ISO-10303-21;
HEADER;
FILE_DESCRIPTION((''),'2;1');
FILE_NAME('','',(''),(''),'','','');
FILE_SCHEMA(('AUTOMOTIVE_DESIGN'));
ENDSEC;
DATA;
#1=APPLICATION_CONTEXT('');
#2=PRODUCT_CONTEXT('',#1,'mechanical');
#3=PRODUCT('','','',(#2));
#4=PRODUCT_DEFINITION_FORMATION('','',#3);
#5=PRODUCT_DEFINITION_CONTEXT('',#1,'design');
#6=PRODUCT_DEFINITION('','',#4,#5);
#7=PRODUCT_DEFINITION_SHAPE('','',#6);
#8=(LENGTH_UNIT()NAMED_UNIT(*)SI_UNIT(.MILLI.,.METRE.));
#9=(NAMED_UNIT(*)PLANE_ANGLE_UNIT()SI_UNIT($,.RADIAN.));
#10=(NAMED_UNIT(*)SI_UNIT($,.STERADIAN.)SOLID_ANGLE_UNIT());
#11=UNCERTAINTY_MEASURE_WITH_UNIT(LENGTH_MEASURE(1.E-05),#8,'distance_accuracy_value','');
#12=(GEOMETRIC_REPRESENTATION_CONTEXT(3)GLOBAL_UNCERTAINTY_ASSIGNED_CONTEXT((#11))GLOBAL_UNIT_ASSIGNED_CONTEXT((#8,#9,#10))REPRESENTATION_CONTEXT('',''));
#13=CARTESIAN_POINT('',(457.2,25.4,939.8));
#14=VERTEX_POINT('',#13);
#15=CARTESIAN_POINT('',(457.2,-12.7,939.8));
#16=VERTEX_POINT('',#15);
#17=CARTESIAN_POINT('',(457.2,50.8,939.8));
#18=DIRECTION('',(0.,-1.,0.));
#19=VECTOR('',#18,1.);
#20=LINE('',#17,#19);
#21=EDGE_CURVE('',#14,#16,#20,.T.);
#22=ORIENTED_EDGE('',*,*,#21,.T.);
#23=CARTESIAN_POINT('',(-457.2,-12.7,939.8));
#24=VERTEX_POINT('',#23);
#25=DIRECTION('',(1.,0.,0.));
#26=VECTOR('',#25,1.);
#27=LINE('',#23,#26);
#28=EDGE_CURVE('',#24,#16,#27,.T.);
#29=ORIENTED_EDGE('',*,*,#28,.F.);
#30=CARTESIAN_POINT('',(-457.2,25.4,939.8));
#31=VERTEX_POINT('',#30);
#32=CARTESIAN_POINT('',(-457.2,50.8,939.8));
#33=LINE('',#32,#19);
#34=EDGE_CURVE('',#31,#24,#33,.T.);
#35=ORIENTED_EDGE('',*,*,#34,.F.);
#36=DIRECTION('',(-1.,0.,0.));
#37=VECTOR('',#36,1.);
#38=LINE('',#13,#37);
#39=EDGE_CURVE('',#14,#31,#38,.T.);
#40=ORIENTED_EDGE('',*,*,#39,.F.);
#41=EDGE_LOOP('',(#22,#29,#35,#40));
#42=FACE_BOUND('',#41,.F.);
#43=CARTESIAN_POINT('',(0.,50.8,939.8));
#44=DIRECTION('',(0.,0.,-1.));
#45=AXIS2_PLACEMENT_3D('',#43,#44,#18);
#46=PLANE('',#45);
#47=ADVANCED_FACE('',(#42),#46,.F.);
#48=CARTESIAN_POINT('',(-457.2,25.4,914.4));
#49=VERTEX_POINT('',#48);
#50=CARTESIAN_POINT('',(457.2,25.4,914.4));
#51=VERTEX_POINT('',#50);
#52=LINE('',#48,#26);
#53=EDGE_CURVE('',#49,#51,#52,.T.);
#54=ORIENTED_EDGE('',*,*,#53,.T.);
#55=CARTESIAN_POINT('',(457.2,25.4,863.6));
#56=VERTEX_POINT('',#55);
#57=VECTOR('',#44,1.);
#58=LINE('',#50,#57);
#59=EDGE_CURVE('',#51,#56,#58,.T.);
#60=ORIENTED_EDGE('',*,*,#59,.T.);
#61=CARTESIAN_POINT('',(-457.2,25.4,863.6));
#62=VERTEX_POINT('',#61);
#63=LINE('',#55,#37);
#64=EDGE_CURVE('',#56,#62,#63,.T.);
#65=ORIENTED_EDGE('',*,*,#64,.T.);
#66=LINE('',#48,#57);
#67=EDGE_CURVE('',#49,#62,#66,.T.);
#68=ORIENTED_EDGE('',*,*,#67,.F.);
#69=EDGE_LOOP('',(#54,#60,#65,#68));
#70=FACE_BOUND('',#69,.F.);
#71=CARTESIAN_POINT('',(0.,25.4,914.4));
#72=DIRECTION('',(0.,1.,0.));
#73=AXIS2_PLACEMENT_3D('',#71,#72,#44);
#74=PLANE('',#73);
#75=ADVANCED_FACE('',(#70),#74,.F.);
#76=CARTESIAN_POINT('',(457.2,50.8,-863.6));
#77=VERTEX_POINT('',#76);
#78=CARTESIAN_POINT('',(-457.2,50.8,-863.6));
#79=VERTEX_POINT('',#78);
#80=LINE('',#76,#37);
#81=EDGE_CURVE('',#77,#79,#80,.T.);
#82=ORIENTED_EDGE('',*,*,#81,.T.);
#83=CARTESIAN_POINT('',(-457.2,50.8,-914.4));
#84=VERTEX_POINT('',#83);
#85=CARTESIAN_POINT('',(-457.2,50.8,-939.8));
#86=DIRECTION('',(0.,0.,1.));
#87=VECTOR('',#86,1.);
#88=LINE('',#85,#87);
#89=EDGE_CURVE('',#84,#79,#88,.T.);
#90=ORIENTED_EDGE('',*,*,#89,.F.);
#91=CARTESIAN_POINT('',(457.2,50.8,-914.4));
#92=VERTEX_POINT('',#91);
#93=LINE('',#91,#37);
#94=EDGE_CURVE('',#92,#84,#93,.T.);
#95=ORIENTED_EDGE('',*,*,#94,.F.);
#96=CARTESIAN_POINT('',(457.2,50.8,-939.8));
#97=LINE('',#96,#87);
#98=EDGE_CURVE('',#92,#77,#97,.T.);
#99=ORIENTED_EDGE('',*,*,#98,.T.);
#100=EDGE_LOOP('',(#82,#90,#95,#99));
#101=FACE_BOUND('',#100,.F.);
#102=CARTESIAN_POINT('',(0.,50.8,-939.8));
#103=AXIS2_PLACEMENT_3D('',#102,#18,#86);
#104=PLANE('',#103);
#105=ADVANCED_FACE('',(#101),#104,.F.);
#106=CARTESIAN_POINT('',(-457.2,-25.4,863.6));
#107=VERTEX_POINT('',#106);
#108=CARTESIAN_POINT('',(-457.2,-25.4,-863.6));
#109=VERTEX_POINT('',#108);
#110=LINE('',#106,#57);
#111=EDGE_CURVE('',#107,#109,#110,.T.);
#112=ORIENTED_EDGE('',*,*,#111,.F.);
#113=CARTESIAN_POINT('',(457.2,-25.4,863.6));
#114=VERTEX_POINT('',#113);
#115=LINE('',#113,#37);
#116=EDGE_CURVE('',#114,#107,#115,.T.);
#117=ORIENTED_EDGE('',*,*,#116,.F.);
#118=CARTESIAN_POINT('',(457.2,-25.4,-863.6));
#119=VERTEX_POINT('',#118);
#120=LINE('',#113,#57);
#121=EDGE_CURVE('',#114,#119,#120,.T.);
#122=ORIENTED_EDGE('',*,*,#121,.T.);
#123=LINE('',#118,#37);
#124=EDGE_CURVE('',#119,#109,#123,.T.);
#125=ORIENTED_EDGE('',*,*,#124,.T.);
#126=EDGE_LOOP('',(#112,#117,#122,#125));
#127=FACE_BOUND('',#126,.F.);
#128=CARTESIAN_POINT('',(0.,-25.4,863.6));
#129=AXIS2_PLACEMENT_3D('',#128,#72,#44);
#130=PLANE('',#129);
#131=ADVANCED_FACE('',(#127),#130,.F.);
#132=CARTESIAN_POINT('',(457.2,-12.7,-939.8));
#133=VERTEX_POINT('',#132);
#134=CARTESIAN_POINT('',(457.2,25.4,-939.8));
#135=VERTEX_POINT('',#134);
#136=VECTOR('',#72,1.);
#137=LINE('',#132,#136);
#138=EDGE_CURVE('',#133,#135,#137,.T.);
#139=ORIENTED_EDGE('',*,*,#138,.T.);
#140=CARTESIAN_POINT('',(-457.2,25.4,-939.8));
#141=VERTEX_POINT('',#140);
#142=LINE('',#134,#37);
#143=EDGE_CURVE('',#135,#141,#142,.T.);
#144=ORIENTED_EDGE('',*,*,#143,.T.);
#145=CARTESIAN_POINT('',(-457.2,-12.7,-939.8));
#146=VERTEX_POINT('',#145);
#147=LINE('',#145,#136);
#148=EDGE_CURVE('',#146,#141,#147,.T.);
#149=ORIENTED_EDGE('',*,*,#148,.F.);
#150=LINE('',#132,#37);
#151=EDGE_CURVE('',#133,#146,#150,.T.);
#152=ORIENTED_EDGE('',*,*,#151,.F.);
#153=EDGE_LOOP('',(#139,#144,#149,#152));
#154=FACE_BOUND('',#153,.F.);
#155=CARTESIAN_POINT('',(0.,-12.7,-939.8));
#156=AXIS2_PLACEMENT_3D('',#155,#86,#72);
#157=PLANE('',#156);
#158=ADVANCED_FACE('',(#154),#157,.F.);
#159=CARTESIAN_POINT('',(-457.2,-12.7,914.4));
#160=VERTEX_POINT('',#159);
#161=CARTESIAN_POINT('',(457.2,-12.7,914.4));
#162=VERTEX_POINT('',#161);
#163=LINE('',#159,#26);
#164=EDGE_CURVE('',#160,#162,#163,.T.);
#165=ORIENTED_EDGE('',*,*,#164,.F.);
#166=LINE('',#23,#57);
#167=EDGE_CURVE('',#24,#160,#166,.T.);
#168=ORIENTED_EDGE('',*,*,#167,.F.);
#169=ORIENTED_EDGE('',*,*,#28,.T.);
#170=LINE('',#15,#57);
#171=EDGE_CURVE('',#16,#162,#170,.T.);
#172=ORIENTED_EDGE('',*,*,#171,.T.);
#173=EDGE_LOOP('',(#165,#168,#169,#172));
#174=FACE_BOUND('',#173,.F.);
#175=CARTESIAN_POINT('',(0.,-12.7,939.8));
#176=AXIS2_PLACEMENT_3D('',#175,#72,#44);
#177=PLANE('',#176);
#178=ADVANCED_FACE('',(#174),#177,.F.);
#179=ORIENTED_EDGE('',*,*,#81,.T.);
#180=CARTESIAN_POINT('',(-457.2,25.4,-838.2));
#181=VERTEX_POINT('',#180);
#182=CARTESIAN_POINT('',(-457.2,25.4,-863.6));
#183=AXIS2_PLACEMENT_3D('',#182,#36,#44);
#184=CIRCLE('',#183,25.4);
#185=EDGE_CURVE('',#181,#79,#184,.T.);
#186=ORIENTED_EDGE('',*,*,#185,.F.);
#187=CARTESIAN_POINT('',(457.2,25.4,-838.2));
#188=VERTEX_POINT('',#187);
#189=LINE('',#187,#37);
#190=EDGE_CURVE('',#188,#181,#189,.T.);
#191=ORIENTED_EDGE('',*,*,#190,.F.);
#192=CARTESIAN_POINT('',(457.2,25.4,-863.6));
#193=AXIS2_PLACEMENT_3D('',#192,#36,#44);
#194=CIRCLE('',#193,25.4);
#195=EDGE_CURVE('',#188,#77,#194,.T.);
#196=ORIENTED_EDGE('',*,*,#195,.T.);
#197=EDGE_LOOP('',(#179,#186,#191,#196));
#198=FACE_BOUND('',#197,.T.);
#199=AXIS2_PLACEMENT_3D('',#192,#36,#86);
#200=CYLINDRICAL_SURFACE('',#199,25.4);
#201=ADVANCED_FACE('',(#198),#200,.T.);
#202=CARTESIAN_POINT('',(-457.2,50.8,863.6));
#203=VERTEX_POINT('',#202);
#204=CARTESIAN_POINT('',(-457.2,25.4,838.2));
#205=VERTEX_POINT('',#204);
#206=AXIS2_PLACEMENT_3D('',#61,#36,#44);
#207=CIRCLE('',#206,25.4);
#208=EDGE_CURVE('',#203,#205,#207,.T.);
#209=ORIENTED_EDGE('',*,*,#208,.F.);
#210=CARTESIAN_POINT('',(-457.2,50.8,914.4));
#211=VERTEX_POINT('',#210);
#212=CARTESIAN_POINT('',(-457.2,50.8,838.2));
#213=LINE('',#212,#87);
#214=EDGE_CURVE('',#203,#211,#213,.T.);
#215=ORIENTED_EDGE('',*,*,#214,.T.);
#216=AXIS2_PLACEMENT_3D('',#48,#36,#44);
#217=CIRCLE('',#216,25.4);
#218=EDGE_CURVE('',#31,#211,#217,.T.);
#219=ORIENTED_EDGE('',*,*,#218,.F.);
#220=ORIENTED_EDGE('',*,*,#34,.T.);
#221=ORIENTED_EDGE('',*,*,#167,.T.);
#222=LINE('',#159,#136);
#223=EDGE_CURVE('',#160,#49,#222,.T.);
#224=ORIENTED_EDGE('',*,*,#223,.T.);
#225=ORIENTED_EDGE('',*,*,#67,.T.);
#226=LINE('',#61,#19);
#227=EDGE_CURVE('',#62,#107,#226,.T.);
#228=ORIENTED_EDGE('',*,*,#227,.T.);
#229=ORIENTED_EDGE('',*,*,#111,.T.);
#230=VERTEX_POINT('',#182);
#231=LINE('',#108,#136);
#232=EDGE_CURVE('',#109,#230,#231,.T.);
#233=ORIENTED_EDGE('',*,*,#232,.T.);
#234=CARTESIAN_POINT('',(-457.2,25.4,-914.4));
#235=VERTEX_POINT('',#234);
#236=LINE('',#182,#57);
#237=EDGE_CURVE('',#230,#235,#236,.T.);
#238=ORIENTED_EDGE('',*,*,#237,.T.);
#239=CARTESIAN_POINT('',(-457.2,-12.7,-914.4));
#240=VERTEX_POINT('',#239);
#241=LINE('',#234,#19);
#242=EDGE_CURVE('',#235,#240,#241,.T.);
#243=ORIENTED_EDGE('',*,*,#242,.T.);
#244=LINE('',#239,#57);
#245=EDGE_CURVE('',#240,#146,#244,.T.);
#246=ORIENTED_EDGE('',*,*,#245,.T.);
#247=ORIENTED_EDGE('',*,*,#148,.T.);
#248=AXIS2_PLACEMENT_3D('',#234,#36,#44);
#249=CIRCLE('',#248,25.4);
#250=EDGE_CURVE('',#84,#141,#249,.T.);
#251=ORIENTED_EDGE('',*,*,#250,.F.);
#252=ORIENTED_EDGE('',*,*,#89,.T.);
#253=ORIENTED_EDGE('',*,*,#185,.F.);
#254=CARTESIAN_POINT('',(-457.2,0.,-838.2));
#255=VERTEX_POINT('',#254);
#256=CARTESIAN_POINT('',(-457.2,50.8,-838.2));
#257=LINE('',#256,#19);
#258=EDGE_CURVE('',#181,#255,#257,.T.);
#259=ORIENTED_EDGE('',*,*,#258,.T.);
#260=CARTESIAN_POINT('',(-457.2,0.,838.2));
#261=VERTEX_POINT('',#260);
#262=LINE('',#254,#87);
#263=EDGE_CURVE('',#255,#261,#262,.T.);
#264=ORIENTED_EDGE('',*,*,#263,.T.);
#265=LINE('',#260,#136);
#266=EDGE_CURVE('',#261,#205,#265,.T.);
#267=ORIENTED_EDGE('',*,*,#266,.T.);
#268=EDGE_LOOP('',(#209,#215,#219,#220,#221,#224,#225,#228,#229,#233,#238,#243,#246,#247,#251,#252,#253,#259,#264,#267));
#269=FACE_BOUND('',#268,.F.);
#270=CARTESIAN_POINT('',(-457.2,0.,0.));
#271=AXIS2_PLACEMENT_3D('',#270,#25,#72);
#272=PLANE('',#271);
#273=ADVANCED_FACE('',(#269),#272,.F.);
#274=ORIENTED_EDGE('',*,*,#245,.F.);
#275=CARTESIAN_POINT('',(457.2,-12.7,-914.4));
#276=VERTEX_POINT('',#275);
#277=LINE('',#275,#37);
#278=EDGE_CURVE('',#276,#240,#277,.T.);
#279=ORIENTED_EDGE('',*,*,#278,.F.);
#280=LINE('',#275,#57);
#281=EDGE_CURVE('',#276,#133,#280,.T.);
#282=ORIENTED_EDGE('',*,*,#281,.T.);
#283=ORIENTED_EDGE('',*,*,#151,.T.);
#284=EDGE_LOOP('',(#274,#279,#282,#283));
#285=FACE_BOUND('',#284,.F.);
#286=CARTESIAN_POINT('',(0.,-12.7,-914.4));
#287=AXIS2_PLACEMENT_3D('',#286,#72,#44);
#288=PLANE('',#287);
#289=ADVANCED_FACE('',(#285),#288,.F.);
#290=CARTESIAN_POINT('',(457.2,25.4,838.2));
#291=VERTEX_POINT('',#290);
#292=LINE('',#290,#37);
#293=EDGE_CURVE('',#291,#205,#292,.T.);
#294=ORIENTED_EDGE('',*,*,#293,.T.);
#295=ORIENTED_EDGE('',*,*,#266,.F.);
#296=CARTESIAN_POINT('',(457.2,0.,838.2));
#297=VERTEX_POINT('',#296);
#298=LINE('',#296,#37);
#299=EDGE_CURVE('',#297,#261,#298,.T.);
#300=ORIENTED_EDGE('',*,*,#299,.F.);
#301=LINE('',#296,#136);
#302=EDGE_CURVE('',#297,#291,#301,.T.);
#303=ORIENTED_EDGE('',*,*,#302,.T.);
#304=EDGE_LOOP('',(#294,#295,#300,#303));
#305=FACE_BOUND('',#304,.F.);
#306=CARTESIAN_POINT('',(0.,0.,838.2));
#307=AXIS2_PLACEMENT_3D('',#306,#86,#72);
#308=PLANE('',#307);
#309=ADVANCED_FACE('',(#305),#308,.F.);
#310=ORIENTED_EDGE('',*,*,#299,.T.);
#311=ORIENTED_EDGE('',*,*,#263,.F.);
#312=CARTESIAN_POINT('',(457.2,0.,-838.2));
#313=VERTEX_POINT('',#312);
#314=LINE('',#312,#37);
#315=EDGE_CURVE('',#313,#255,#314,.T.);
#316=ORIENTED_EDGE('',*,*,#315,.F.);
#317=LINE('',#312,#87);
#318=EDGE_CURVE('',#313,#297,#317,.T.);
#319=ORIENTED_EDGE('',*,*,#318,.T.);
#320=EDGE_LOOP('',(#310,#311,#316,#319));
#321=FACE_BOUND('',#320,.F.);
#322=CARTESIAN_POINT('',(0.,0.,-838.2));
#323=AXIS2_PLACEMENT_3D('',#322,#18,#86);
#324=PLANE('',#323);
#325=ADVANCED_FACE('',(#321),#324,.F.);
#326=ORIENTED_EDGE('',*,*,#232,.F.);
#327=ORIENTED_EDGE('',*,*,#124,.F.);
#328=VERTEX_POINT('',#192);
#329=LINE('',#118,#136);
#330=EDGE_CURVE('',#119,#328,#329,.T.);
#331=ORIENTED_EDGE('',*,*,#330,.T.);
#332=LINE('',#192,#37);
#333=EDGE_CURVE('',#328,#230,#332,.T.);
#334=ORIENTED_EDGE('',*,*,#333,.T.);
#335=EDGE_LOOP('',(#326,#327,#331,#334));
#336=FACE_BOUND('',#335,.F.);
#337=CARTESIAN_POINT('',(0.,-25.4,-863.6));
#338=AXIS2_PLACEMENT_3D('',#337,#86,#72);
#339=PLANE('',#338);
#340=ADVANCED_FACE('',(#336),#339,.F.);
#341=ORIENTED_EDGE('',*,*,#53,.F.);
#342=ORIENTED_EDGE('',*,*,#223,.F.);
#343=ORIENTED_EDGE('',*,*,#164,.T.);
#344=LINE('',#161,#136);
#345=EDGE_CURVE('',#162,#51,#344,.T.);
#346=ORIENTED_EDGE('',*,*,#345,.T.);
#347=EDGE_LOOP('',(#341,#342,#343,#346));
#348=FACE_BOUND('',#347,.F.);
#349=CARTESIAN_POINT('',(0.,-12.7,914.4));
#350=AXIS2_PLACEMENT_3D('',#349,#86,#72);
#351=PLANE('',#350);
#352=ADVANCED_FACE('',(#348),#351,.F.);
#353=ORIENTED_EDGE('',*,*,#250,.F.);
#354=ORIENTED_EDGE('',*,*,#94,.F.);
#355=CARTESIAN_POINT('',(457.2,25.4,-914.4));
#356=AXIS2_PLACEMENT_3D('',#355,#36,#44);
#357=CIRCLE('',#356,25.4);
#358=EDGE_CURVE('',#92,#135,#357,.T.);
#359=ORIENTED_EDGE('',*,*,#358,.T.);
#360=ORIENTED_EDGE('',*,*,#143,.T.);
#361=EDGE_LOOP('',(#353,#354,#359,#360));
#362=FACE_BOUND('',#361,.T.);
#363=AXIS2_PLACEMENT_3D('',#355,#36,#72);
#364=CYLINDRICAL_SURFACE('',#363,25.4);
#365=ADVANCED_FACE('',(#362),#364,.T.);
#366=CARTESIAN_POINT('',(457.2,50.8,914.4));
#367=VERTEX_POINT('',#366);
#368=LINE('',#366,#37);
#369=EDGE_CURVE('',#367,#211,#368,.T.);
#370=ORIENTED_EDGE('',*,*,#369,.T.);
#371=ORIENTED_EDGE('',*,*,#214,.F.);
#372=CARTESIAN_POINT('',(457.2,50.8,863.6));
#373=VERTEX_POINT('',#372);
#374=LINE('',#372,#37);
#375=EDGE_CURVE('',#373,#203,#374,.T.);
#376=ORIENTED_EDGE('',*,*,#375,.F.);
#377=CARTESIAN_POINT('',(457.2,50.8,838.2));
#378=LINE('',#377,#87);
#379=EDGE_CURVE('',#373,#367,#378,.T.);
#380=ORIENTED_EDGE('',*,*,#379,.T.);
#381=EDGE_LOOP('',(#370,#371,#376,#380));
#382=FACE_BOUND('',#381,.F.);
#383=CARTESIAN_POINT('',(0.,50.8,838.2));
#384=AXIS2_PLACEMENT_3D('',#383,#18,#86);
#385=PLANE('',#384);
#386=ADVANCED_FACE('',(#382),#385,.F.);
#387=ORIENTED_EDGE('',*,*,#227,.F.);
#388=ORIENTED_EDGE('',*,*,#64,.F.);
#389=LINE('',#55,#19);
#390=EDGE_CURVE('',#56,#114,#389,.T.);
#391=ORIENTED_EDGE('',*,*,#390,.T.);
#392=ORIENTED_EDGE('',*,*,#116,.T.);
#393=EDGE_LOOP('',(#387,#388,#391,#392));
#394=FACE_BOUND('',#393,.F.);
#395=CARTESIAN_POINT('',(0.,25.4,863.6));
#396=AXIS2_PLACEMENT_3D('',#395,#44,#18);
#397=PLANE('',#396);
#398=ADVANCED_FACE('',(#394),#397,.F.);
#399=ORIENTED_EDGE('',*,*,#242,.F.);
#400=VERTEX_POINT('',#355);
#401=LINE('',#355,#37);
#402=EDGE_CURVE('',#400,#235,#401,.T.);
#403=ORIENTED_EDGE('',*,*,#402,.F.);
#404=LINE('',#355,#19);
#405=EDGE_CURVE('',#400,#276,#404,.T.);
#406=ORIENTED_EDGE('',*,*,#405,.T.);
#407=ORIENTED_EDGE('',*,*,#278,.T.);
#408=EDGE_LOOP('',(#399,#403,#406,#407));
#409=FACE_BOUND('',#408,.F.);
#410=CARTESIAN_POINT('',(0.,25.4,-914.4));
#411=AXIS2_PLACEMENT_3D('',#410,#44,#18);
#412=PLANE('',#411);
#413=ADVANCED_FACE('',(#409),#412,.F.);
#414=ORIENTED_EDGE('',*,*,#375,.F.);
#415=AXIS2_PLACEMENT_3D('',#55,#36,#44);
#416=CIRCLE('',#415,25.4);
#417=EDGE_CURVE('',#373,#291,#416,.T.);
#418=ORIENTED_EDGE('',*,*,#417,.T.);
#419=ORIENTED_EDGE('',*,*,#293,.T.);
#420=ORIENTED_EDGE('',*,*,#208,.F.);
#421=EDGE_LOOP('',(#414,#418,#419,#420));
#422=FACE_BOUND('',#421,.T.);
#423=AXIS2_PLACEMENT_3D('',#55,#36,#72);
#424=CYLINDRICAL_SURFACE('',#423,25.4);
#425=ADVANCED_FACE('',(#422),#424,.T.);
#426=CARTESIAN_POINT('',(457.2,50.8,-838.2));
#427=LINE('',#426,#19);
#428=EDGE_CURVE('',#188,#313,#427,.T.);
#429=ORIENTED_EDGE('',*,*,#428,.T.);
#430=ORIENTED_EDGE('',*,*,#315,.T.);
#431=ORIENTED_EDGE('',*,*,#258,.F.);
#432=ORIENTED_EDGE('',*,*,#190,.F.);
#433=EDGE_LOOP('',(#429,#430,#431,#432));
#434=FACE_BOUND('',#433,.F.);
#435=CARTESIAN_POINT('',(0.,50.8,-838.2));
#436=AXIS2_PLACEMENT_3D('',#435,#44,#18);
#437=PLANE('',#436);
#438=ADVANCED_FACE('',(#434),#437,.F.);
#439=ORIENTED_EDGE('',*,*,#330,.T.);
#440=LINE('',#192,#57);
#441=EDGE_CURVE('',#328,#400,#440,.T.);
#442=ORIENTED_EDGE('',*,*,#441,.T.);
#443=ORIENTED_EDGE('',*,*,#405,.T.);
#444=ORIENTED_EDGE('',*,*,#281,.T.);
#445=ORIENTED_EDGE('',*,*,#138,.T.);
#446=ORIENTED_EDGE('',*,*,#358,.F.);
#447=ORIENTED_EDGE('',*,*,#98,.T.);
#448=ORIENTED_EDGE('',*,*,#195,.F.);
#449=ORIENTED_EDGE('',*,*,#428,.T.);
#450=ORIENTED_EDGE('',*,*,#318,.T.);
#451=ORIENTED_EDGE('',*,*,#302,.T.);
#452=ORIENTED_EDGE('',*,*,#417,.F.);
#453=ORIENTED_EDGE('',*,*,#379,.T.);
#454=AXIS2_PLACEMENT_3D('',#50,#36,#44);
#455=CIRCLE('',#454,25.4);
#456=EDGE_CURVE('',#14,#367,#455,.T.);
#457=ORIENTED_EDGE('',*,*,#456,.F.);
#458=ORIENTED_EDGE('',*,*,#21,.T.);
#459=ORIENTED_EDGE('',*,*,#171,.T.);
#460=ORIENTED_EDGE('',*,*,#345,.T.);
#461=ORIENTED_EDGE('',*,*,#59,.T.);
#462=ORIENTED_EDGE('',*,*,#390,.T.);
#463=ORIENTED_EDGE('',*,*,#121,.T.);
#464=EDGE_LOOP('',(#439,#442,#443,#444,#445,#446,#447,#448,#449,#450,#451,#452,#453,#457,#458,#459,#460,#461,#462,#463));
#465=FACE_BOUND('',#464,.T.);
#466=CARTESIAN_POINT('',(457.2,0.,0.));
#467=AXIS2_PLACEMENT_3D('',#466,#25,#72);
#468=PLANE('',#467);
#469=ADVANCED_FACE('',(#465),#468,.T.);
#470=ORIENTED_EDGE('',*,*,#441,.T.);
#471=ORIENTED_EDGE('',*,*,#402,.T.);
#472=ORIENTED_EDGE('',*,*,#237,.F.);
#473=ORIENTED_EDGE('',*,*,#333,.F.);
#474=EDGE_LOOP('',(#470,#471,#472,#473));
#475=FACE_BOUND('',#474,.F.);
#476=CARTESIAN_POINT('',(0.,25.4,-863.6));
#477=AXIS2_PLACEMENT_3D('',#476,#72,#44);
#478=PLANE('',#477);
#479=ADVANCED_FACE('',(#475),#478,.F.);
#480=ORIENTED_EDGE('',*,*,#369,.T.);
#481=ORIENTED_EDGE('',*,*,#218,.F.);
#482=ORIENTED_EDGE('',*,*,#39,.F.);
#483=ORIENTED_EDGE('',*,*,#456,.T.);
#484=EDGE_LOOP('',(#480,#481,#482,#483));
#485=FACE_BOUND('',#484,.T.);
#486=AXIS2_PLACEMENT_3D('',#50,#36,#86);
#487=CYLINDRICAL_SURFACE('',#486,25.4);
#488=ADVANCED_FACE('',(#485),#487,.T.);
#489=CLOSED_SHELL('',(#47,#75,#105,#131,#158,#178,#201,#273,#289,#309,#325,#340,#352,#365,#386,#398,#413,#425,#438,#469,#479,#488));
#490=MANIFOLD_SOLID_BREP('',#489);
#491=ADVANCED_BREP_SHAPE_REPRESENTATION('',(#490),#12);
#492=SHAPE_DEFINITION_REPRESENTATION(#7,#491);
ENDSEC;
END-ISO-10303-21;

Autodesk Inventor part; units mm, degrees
ref_plane "YZ Plane" through (0, 0, 0) normal (1, 0, 0) x (0, 1, 0)
ref_plane "XZ Plane" through (0, 0, 0) normal (0, 1, 0) x (-1, 0, 0)
ref_plane "XY Plane" through (0, 0, 0) normal (0, 0, 1) x (1, 0, 0)
sketch "Sketch1" plane through (0, 0, 0) normal (1, 0, 0) x (0, 1, 0)
  line L0 (-12.7, 939.8) -> (-12.7, 914.4)
  line L1 (-12.7, 914.4) -> (25.4, 914.4)
  line L2 (25.4, 914.4) -> (25.4, 863.6)
  line L3 (25.4, -914.4) -> (-12.7, -914.4)
  line L4 (-12.7, -914.4) -> (-12.7, -939.8)
  line L5 (-12.7, -939.8) -> (50.8, -939.8)
  line L6 (50.8, -939.8) -> (50.8, -838.2)
  line L7 (50.8, 939.8) -> (-12.7, 939.8)
  line L8 (25.4, 863.6) -> (-25.4, 863.6)
  line L9 (-25.4, 863.6) -> (-25.4, -863.6)
  line L10 (-25.4, -863.6) -> (25.4, -863.6)
  line L11 (25.4, -863.6) -> (25.4, -914.4)
  line L12 (25.4, 863.6) -> (25.4, -863.6) construction
  line L13 (50.8, -838.2) -> (0, -838.2)
  line L14 (0, -838.2) -> (0, 838.2)
  line L15 (0, 838.2) -> (50.8, 838.2)
  line L16 (50.8, 838.2) -> (50.8, 939.8)
  line L17 (50.8, -838.2) -> (50.8, 838.2) construction
  point P0 (0, 0)
  point P1 (0, 0)
  point P2 (0, 0)
  dimension "d4" = 25.4
  dimension "d5" = 1879.6
  dimension "d7" = 63.5
  dimension "d11" = 50.8
  dimension "d12" = 50.8
  dimension "d13" = 50.8
  dimension "d14" = 76.2
  dimension "d15" = 25.4
  dimension "d16" = 25.4
  dimension "d17" = 25.4
extrude "Extrusion1" add sketch "Sketch1" along normal mid plane 914.4
fillet "Fillet1" radius 25.4 4 edges at (0, 50.8, 939.8) (0, 50.8, -939.8) (0, 50.8, -838.2) (0, 50.8, 838.2)
properties part number "Gondola Base Plate" material "Steel, Alloy"
